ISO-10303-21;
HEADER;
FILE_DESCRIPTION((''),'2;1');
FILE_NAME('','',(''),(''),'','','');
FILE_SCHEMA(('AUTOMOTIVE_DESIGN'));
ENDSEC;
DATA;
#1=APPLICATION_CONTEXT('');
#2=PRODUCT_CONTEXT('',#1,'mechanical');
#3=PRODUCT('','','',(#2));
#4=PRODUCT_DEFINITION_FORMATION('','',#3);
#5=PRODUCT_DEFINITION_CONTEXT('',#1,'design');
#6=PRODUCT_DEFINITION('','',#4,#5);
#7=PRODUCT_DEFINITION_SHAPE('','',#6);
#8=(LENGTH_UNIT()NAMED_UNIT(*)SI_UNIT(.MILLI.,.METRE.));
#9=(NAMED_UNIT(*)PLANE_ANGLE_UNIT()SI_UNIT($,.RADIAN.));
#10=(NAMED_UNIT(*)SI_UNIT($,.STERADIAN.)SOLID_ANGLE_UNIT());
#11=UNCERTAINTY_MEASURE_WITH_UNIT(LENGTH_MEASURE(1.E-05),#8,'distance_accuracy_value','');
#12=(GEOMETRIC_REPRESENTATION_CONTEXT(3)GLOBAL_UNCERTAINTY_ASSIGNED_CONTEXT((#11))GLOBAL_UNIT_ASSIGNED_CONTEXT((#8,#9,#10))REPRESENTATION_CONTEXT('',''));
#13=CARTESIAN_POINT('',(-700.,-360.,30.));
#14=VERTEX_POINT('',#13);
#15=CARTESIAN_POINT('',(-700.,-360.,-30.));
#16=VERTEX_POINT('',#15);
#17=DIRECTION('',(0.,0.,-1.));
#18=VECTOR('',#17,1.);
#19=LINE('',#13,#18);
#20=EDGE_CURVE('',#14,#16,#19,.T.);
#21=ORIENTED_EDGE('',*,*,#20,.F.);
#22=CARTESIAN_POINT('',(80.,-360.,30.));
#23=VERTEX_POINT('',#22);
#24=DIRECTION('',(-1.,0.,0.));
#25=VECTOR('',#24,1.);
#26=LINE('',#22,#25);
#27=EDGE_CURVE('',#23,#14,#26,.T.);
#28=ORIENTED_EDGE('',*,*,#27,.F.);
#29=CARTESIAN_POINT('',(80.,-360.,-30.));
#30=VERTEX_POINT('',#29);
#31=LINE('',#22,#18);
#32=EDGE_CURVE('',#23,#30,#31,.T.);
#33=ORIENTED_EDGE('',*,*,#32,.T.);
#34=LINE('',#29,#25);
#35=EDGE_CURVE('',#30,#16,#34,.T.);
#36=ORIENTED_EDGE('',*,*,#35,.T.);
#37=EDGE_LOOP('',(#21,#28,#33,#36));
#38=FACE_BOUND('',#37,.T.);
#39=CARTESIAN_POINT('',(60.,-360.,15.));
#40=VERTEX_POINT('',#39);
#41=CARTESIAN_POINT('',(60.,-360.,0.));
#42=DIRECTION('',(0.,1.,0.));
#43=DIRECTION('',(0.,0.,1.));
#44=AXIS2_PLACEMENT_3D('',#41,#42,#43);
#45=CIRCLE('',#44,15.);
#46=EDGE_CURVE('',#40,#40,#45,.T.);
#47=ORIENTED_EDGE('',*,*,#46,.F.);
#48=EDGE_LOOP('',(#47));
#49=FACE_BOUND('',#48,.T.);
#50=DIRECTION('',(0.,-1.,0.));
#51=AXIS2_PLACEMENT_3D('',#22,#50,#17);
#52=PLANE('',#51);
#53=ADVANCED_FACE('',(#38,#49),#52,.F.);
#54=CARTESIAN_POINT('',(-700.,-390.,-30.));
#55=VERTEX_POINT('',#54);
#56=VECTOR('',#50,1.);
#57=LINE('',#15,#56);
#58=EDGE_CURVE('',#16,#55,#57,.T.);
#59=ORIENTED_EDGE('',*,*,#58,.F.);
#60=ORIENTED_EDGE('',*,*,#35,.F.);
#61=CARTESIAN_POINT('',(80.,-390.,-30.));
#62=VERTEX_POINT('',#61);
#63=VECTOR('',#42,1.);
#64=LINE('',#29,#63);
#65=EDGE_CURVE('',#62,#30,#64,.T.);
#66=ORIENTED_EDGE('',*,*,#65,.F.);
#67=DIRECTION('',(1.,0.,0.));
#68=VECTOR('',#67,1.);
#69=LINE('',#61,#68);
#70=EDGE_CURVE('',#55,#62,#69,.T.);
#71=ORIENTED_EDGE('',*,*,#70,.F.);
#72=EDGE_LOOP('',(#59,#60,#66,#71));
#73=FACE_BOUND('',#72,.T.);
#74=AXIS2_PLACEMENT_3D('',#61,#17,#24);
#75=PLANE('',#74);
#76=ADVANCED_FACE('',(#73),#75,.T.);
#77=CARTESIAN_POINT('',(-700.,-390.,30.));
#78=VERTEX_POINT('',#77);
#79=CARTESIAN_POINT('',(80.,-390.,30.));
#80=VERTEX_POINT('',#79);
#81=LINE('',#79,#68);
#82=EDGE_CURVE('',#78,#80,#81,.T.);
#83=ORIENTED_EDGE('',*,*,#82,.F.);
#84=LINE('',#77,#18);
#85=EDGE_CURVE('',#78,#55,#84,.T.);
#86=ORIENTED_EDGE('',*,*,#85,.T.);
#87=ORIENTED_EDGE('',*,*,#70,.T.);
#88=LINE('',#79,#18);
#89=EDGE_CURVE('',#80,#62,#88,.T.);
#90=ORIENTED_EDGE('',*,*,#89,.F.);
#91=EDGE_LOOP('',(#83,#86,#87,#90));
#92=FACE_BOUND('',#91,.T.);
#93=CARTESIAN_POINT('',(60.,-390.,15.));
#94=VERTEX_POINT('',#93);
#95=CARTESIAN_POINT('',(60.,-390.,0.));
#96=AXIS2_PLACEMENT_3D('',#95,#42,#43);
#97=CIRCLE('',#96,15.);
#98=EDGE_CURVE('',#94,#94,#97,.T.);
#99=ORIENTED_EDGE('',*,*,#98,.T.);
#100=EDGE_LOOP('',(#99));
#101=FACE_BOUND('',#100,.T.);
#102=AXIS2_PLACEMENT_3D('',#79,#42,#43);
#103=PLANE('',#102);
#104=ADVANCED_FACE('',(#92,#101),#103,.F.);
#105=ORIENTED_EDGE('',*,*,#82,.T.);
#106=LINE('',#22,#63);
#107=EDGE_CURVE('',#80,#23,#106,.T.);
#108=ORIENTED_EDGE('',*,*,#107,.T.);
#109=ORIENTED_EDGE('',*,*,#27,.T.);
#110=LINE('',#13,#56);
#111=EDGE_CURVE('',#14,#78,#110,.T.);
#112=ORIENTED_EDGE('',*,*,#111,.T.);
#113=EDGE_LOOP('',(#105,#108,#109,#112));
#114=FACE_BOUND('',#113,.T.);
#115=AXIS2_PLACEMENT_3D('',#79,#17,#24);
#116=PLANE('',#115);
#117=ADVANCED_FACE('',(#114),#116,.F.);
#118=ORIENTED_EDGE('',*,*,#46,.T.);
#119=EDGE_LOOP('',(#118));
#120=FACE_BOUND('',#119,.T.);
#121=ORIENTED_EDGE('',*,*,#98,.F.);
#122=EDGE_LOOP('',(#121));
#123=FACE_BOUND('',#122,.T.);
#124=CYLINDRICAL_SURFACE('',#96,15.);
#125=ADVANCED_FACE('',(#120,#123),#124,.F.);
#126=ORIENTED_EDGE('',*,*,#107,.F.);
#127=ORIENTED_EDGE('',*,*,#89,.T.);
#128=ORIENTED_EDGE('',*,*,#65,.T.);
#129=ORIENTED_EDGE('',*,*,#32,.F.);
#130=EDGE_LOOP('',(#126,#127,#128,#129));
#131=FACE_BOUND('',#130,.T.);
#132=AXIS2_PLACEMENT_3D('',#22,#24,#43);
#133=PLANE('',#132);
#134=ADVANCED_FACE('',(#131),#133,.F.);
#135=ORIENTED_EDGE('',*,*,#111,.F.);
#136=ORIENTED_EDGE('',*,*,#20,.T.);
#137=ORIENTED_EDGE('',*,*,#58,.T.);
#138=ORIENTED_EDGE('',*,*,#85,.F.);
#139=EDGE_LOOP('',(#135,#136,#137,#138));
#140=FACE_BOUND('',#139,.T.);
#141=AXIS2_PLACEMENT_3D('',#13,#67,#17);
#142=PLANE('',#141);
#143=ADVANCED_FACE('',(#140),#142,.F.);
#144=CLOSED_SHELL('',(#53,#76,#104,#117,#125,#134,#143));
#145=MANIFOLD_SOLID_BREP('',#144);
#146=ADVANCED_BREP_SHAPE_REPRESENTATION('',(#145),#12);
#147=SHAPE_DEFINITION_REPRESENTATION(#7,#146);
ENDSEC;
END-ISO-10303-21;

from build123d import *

# Parameters (mm, degrees)
ESQUISSE1_W             = 780
ESQUISSE1_H             = 30
BASE_EXTRUSION_DEPTH    = 30
ESQUISSE3_R             = 15
ENL_V_MAT_EXTRU_1_DEPTH = 702.284535691


with BuildPart() as part:
    # Esquisse1 → Base-Extrusion (new, symmetric)
    with BuildSketch(Plane.XY):
        with Locations((-310, -375)):
            Rectangle(ESQUISSE1_W, ESQUISSE1_H)
    extrude(amount=BASE_EXTRUSION_DEPTH, both=True)

    # Esquisse3 → Enlèv. mat.-Extru.1 (cut, through all)
    with BuildSketch(Plane(origin=(0, -360, 0), x_dir=(-1, 0, 0), z_dir=(0, 1, 0))):
        with Locations(Location((-60, 0, 0), (0, 0, 90))):
            Circle(ESQUISSE3_R)
    extrude(amount=-ENL_V_MAT_EXTRU_1_DEPTH, mode=Mode.SUBTRACT)


solid = part.part
